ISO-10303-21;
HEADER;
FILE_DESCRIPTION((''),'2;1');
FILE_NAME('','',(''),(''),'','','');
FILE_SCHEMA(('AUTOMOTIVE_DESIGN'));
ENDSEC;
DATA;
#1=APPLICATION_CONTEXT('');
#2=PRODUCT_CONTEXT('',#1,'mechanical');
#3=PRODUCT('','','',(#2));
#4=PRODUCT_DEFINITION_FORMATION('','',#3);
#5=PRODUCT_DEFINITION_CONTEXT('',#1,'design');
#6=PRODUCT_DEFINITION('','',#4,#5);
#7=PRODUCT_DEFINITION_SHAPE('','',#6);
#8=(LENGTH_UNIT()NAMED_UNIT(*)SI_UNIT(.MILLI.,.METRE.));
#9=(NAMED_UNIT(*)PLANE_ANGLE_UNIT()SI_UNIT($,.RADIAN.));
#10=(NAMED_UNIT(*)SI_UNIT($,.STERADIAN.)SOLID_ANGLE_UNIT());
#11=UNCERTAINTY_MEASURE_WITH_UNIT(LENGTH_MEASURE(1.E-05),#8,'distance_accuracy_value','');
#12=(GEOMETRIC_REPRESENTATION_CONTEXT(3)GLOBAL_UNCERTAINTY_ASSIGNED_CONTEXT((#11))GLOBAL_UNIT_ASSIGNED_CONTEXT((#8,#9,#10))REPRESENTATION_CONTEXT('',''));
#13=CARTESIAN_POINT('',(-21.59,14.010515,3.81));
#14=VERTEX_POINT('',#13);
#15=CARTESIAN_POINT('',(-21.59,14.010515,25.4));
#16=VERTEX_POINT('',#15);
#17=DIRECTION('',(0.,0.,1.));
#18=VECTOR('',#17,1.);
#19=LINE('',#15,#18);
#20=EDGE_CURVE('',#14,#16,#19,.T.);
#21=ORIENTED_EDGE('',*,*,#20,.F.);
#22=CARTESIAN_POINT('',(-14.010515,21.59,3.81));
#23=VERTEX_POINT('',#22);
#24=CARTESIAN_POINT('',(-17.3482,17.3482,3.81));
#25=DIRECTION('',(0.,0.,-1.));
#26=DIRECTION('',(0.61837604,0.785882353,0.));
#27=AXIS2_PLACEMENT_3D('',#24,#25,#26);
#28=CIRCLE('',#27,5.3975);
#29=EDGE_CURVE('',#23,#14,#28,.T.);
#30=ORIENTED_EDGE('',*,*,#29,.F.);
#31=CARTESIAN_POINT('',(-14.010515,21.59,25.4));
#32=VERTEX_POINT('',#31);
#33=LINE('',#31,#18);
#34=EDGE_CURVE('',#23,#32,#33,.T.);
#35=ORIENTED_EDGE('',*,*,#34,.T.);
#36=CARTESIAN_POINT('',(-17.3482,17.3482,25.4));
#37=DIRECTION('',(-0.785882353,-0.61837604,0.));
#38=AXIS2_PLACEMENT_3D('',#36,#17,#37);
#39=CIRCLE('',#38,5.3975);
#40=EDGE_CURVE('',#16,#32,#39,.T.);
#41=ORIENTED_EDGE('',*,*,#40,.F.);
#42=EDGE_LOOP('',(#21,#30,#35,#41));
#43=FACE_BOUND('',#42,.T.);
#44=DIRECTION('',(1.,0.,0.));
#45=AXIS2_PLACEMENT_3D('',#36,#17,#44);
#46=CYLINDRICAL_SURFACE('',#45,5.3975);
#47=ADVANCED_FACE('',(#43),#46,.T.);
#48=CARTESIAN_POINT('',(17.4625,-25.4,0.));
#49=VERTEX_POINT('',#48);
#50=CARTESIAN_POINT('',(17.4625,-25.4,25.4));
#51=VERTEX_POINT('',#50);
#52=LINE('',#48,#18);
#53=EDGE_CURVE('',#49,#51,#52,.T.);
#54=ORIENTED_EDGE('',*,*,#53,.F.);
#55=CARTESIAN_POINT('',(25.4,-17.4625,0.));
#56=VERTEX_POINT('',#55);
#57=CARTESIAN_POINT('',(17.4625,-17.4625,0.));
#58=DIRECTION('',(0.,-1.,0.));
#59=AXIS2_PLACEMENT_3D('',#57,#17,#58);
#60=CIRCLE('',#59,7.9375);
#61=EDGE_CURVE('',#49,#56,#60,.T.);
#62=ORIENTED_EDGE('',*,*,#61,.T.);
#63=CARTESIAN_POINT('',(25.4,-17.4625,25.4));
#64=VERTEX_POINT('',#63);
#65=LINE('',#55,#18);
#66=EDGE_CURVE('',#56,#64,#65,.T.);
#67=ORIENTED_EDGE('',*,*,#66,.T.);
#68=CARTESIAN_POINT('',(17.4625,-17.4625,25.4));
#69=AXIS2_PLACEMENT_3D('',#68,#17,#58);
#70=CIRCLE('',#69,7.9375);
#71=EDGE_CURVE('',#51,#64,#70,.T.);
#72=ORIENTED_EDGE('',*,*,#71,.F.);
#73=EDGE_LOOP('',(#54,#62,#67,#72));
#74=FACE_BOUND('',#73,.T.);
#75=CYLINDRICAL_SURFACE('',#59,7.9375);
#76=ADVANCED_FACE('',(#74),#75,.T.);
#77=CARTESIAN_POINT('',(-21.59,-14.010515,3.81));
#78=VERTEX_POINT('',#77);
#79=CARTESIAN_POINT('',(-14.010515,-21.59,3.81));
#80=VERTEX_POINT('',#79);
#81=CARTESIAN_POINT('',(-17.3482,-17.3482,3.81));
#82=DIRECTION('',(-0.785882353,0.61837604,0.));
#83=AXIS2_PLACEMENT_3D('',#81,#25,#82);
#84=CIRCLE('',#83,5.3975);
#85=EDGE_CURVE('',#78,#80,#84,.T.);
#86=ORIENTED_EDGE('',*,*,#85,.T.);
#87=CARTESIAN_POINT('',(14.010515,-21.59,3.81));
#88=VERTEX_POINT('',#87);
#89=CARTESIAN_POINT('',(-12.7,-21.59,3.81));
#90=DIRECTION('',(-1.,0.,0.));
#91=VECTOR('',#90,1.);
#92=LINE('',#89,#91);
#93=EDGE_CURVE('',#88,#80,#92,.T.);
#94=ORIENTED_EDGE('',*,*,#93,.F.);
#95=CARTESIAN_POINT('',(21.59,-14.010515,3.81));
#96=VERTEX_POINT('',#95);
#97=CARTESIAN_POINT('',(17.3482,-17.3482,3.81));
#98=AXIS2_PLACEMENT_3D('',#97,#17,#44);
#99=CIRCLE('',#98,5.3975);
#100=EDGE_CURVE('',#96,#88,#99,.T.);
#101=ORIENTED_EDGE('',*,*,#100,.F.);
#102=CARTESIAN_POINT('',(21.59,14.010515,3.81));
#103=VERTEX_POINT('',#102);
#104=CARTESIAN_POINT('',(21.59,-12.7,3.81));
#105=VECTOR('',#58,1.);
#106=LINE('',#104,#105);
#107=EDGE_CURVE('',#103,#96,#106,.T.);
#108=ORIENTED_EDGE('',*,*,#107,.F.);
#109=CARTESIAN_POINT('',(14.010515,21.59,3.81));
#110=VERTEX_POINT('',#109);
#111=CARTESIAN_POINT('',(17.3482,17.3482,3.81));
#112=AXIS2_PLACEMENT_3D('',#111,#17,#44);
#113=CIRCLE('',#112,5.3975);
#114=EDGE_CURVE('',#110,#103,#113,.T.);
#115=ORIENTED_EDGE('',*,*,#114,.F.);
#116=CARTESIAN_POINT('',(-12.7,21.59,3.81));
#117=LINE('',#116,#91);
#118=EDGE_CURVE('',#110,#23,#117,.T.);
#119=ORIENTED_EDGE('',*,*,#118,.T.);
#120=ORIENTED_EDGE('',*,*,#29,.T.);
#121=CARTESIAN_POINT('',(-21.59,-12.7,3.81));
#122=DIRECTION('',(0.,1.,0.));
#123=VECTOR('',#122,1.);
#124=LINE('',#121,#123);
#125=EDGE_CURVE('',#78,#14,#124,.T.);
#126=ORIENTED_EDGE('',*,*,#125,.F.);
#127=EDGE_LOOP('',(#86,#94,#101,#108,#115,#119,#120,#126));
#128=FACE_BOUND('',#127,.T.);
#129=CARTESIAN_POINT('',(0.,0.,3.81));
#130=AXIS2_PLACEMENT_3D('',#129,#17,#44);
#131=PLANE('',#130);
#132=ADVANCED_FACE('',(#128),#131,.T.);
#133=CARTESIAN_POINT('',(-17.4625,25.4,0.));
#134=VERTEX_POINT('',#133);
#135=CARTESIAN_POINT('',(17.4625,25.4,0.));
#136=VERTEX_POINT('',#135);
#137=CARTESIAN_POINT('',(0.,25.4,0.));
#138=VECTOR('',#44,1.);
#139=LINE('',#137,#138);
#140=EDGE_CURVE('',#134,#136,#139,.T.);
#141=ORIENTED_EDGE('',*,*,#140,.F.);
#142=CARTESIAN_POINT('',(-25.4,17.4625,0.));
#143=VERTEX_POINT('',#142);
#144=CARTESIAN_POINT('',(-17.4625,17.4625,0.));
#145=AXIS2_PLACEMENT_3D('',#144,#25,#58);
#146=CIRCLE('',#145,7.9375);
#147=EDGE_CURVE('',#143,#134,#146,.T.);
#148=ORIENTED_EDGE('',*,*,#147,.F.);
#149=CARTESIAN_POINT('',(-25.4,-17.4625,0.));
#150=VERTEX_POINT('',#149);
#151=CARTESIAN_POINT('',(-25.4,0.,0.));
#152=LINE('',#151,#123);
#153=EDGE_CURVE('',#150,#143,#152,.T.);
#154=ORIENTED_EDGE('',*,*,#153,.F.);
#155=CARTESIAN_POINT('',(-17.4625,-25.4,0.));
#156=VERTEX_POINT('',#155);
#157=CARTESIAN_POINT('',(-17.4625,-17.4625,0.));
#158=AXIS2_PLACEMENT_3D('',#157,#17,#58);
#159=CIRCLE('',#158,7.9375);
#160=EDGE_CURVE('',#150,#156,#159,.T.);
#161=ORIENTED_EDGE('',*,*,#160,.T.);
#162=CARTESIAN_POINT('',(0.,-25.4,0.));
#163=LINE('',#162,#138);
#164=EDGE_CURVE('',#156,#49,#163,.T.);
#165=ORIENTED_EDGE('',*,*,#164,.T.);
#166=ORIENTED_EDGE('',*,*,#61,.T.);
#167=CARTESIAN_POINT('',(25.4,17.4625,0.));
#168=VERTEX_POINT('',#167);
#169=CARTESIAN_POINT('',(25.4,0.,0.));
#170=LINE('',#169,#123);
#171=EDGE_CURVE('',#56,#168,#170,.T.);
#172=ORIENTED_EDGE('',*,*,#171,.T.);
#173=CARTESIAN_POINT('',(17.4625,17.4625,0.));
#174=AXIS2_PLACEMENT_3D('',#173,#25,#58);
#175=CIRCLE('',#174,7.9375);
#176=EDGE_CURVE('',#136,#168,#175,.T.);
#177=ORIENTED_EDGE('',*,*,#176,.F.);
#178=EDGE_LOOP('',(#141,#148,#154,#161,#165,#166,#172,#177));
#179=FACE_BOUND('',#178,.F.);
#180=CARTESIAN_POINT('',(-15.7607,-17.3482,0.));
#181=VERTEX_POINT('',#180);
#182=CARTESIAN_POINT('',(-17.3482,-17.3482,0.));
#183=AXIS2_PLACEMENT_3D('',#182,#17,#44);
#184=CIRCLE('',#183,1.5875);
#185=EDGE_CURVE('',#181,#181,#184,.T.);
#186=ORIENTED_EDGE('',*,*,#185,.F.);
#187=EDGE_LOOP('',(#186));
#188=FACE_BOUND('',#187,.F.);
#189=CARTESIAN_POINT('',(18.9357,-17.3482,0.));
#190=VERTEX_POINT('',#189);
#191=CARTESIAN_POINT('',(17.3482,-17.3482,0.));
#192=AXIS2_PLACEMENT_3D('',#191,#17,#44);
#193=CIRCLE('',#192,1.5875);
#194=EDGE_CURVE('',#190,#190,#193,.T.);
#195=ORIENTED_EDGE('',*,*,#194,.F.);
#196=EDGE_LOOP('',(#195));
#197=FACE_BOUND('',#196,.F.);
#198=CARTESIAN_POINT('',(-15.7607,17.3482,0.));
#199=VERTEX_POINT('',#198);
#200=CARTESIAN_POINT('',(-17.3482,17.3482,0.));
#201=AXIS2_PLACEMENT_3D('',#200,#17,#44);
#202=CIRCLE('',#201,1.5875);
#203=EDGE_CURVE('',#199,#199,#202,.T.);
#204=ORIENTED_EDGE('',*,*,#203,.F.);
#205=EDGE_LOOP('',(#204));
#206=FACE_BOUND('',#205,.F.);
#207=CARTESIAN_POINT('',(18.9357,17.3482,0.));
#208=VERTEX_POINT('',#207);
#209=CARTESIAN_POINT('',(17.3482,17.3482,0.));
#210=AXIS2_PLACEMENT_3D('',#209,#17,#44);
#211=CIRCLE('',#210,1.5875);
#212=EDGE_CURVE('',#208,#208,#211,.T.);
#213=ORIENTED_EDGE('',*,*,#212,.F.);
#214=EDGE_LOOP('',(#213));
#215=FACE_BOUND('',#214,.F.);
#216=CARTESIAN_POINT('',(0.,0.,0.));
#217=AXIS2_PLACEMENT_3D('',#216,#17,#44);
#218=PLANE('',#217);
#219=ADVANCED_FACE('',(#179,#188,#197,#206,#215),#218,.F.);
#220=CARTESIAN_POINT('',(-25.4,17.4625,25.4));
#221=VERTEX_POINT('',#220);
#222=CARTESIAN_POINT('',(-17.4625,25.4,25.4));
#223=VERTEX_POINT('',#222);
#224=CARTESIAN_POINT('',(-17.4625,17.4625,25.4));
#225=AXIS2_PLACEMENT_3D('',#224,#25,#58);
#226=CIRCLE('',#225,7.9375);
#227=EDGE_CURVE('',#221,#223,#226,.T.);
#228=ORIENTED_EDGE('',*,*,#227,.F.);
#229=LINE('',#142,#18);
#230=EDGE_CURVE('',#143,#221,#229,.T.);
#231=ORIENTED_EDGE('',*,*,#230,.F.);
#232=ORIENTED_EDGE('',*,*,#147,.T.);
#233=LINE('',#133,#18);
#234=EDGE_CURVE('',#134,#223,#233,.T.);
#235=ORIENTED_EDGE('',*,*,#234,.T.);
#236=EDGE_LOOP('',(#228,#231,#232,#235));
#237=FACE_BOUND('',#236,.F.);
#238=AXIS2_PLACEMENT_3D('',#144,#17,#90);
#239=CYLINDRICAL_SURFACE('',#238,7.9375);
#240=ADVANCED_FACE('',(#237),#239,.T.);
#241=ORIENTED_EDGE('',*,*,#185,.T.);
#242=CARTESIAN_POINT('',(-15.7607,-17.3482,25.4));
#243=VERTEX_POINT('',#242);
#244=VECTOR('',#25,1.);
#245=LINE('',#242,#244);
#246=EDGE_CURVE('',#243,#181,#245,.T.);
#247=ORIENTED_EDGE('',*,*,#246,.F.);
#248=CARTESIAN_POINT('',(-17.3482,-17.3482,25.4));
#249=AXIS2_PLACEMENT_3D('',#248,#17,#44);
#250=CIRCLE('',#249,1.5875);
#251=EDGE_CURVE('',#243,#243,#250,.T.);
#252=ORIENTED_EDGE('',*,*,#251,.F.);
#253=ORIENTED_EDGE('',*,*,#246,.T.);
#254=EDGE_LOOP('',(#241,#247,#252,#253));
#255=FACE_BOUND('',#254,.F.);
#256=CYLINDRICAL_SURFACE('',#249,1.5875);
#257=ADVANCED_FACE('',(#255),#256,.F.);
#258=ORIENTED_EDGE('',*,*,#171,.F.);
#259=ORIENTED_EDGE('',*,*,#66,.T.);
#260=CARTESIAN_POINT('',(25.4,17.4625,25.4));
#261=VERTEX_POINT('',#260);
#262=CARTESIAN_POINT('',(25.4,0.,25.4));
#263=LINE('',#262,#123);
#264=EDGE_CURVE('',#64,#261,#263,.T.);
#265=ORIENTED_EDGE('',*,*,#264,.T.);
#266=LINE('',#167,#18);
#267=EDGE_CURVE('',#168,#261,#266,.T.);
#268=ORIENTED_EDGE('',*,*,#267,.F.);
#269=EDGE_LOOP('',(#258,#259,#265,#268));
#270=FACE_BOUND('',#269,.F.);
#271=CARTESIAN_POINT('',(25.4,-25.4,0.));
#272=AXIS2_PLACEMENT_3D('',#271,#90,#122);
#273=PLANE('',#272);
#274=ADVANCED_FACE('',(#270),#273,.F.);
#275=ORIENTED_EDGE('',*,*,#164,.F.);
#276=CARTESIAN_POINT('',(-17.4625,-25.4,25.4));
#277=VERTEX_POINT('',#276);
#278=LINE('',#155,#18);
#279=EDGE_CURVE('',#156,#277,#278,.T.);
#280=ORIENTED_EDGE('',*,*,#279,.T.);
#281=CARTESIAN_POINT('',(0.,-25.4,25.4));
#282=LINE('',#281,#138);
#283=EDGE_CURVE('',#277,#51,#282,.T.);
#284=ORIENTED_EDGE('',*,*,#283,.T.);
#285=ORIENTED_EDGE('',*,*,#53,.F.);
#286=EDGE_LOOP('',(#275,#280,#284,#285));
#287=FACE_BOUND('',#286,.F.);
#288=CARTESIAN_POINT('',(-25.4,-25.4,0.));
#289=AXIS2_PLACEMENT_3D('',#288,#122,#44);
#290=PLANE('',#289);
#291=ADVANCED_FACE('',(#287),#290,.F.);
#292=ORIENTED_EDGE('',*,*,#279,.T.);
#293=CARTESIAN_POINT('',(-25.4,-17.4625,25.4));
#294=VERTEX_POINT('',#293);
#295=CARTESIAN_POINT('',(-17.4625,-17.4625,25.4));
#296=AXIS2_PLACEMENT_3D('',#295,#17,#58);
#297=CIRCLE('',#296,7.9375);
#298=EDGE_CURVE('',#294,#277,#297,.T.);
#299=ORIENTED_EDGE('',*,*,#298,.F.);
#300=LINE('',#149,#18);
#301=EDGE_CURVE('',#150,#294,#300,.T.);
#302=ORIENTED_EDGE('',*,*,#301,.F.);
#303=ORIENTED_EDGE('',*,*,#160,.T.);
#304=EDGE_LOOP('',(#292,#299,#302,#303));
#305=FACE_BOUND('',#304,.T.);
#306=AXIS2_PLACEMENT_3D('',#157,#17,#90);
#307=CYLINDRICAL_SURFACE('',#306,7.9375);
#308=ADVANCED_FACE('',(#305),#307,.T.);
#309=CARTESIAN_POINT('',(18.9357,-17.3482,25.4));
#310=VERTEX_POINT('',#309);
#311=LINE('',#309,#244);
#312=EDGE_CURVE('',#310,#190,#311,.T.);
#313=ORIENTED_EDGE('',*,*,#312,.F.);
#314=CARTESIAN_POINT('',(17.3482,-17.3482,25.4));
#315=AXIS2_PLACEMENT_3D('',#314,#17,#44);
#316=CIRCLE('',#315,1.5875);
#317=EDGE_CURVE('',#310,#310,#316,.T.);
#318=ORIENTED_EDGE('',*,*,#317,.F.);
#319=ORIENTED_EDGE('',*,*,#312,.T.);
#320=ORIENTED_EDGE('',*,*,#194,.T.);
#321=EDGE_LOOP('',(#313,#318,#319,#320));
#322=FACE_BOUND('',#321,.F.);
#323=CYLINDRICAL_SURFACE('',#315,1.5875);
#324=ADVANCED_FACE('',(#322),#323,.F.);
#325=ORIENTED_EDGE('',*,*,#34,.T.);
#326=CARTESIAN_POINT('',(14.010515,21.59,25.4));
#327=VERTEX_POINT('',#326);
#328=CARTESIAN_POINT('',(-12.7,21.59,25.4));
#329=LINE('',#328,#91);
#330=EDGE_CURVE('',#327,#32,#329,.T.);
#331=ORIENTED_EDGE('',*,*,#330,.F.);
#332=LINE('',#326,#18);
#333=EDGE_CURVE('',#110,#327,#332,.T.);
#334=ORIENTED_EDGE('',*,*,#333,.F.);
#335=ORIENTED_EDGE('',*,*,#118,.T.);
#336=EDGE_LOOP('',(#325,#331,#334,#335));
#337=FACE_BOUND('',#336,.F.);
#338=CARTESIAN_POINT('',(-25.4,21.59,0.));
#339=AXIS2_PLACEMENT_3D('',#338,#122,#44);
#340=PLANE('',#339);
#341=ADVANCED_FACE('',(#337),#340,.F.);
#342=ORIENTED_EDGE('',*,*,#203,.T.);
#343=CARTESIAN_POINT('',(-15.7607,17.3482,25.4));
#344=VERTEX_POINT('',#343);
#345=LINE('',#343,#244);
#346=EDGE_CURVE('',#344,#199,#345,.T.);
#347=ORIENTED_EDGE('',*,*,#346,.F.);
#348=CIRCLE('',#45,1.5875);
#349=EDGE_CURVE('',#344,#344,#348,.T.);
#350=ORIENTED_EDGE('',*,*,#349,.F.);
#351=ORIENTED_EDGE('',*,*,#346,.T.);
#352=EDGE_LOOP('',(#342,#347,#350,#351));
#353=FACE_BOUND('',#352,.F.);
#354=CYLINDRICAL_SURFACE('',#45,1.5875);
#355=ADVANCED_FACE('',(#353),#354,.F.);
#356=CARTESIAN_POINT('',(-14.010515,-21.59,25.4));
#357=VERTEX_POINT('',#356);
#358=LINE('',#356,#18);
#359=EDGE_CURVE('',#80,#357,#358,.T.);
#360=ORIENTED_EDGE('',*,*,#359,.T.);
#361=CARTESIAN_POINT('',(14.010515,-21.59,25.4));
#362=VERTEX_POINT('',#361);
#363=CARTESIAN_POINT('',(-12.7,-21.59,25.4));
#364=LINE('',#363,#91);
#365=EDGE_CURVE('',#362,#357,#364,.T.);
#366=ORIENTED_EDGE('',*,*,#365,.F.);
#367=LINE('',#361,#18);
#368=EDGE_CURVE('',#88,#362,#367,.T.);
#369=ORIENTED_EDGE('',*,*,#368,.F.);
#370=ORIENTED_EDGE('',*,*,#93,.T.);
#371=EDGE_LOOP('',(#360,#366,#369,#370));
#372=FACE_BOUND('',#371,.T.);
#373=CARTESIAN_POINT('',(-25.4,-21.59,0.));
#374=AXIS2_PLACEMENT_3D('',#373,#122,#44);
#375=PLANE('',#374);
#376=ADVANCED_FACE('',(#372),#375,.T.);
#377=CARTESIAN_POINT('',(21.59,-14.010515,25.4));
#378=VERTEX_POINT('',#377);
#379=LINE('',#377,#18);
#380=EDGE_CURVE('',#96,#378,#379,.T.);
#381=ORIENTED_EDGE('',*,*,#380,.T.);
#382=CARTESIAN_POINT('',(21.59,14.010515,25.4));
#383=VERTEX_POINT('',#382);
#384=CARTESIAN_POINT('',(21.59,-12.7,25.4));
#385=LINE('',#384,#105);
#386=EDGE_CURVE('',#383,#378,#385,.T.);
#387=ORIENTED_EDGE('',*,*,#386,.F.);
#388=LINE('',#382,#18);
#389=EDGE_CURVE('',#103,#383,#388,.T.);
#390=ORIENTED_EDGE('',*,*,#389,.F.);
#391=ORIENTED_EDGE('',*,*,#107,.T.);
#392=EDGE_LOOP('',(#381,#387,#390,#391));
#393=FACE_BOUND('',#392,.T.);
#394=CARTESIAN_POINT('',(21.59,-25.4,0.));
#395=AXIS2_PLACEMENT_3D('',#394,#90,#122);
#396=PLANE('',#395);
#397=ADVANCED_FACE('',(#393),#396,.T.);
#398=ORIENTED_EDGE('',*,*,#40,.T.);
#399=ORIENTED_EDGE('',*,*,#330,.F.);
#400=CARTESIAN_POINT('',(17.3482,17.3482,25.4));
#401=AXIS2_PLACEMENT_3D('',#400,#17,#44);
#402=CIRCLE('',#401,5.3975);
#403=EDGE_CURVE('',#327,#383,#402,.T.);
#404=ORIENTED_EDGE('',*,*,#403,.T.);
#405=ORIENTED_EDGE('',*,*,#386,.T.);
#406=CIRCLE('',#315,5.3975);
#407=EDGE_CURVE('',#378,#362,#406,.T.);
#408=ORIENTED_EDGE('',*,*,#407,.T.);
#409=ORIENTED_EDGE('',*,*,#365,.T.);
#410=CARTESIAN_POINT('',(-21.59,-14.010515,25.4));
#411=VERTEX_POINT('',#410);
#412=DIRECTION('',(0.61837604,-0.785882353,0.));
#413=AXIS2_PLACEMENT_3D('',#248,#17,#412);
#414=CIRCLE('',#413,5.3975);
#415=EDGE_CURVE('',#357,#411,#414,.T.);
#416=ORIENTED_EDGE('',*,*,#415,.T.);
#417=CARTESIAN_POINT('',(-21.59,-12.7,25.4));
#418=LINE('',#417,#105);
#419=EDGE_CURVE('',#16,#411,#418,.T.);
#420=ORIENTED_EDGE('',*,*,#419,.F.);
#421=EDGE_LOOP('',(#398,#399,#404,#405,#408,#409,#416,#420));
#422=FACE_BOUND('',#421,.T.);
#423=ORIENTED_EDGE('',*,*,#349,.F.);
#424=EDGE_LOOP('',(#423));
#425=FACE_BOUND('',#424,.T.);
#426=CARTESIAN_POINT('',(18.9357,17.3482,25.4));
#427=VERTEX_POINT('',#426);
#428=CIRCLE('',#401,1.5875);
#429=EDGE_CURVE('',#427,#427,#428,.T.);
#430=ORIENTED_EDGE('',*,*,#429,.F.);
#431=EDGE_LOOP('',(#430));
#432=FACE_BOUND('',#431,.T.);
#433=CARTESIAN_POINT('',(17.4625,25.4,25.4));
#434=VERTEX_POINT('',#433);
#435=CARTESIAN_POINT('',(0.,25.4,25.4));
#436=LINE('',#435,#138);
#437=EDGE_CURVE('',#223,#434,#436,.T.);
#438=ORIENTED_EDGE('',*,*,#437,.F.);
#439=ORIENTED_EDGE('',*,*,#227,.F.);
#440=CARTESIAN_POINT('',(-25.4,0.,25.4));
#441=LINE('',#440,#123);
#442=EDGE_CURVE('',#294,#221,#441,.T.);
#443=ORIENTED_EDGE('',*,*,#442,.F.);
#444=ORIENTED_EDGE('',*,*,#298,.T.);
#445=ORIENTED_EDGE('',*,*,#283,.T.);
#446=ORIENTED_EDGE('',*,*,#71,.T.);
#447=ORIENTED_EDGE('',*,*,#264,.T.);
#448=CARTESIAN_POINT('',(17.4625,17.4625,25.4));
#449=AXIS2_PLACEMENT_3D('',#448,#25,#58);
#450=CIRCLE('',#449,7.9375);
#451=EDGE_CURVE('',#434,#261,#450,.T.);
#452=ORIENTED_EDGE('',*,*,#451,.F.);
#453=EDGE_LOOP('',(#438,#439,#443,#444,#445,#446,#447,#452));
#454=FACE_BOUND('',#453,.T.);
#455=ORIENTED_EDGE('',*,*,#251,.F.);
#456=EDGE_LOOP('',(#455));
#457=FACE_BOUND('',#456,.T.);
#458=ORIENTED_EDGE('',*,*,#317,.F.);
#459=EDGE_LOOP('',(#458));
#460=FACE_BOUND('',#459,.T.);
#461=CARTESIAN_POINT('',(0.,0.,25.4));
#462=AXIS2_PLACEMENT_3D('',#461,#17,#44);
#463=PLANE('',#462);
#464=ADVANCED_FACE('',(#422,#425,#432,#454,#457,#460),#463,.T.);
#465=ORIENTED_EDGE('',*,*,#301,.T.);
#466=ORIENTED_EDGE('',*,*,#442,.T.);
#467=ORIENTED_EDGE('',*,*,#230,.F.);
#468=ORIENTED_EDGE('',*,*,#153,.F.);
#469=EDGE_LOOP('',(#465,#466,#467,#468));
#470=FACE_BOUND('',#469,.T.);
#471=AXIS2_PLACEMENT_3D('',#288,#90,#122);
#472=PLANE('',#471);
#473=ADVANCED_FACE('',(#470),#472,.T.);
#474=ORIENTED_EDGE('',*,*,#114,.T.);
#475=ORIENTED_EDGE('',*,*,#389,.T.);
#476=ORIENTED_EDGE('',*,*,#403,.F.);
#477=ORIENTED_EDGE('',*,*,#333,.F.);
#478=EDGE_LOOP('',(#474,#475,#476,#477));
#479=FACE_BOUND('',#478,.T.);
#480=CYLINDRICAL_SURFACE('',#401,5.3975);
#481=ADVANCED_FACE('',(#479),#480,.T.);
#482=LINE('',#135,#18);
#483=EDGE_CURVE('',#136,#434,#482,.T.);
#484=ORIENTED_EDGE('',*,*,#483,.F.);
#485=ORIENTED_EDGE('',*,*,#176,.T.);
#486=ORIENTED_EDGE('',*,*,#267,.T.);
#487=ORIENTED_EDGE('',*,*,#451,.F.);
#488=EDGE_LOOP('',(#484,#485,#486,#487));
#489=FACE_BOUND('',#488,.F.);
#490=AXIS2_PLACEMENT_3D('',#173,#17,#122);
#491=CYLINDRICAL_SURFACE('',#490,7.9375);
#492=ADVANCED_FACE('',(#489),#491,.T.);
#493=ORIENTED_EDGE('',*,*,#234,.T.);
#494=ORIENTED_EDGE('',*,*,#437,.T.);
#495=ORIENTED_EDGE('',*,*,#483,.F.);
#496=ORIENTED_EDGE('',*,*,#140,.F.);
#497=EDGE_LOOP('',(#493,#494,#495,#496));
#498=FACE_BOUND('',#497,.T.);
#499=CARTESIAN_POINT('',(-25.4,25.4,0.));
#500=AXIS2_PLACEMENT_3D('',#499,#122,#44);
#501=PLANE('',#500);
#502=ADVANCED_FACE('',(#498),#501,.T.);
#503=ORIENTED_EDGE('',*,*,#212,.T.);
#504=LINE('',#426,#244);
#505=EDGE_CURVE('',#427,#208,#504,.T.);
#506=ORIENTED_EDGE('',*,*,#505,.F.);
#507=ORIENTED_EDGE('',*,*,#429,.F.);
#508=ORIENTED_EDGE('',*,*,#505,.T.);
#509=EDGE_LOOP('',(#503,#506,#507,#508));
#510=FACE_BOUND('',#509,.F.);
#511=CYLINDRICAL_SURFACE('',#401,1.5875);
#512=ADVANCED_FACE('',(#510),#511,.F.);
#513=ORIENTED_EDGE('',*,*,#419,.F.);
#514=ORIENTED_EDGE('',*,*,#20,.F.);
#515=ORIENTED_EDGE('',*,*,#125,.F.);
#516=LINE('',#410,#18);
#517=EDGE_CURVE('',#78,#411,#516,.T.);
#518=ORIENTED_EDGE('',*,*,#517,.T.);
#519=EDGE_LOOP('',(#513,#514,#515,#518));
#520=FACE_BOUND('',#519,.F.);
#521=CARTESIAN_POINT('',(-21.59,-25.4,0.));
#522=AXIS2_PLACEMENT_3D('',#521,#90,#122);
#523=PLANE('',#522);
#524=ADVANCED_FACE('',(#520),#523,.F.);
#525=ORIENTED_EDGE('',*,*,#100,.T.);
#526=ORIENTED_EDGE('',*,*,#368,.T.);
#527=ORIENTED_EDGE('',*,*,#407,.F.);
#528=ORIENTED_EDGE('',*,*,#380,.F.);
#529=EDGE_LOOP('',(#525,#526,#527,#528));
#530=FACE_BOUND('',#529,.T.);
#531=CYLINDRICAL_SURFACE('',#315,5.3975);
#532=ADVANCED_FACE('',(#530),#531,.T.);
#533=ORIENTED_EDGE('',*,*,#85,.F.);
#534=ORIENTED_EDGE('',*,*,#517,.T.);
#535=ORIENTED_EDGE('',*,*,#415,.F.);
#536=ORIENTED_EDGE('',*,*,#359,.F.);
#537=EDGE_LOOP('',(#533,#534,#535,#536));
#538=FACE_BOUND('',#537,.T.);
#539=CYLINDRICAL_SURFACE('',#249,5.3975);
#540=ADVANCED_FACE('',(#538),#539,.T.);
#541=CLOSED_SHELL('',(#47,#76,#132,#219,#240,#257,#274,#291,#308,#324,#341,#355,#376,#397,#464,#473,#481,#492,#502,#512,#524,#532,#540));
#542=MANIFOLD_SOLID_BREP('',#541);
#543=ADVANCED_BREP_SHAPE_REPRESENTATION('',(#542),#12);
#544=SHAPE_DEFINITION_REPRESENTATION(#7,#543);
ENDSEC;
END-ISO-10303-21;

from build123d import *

# Parameters (mm, degrees)
F0_W     = 50.8
F0_H     = 50.8
F1_DEPTH = 25.4
F2_R     = 1.5875
F3_DEPTH = 25.4
F4_R     = 7.9375
F5_T     = -3.81


with BuildPart() as f1:
    # F0 (on Top) → F1 (new body)
    with BuildSketch(Plane.XY):
        Rectangle(F0_W, F0_H)
    extrude(amount=F1_DEPTH)

    # F2 (on face) → F3 (cut, through all)
    with BuildSketch(Plane.XY.offset(25.4)):
        with Locations((17.3482, 17.3482)):
            Circle(F2_R)
        with Locations((17.3482, -17.3482)):
            Circle(F2_R)
        with Locations((-17.3482, 17.3482)):
            Circle(F2_R)
        with Locations((-17.3482, -17.3482)):
            Circle(F2_R)
    extrude(amount=-F3_DEPTH, mode=Mode.SUBTRACT)

    # F4
    f4_edges = [f1.edges().sort_by_distance(p)[0] for p in [
        (25.4, -25.4, 12.7),
        (25.4, 25.4, 12.7),
        (-25.4, -25.4, 12.7),
        (-25.4, 25.4, 12.7),
    ]]
    fillet(f4_edges, radius=F4_R)

    # F5
    f5_openings = [f1.faces().sort_by_distance(p)[0] for p in [
        (0, 0, 25.4),
    ]]
    offset(amount=F5_T, openings=f5_openings, kind=Kind.INTERSECTION)


solid = f1.part
